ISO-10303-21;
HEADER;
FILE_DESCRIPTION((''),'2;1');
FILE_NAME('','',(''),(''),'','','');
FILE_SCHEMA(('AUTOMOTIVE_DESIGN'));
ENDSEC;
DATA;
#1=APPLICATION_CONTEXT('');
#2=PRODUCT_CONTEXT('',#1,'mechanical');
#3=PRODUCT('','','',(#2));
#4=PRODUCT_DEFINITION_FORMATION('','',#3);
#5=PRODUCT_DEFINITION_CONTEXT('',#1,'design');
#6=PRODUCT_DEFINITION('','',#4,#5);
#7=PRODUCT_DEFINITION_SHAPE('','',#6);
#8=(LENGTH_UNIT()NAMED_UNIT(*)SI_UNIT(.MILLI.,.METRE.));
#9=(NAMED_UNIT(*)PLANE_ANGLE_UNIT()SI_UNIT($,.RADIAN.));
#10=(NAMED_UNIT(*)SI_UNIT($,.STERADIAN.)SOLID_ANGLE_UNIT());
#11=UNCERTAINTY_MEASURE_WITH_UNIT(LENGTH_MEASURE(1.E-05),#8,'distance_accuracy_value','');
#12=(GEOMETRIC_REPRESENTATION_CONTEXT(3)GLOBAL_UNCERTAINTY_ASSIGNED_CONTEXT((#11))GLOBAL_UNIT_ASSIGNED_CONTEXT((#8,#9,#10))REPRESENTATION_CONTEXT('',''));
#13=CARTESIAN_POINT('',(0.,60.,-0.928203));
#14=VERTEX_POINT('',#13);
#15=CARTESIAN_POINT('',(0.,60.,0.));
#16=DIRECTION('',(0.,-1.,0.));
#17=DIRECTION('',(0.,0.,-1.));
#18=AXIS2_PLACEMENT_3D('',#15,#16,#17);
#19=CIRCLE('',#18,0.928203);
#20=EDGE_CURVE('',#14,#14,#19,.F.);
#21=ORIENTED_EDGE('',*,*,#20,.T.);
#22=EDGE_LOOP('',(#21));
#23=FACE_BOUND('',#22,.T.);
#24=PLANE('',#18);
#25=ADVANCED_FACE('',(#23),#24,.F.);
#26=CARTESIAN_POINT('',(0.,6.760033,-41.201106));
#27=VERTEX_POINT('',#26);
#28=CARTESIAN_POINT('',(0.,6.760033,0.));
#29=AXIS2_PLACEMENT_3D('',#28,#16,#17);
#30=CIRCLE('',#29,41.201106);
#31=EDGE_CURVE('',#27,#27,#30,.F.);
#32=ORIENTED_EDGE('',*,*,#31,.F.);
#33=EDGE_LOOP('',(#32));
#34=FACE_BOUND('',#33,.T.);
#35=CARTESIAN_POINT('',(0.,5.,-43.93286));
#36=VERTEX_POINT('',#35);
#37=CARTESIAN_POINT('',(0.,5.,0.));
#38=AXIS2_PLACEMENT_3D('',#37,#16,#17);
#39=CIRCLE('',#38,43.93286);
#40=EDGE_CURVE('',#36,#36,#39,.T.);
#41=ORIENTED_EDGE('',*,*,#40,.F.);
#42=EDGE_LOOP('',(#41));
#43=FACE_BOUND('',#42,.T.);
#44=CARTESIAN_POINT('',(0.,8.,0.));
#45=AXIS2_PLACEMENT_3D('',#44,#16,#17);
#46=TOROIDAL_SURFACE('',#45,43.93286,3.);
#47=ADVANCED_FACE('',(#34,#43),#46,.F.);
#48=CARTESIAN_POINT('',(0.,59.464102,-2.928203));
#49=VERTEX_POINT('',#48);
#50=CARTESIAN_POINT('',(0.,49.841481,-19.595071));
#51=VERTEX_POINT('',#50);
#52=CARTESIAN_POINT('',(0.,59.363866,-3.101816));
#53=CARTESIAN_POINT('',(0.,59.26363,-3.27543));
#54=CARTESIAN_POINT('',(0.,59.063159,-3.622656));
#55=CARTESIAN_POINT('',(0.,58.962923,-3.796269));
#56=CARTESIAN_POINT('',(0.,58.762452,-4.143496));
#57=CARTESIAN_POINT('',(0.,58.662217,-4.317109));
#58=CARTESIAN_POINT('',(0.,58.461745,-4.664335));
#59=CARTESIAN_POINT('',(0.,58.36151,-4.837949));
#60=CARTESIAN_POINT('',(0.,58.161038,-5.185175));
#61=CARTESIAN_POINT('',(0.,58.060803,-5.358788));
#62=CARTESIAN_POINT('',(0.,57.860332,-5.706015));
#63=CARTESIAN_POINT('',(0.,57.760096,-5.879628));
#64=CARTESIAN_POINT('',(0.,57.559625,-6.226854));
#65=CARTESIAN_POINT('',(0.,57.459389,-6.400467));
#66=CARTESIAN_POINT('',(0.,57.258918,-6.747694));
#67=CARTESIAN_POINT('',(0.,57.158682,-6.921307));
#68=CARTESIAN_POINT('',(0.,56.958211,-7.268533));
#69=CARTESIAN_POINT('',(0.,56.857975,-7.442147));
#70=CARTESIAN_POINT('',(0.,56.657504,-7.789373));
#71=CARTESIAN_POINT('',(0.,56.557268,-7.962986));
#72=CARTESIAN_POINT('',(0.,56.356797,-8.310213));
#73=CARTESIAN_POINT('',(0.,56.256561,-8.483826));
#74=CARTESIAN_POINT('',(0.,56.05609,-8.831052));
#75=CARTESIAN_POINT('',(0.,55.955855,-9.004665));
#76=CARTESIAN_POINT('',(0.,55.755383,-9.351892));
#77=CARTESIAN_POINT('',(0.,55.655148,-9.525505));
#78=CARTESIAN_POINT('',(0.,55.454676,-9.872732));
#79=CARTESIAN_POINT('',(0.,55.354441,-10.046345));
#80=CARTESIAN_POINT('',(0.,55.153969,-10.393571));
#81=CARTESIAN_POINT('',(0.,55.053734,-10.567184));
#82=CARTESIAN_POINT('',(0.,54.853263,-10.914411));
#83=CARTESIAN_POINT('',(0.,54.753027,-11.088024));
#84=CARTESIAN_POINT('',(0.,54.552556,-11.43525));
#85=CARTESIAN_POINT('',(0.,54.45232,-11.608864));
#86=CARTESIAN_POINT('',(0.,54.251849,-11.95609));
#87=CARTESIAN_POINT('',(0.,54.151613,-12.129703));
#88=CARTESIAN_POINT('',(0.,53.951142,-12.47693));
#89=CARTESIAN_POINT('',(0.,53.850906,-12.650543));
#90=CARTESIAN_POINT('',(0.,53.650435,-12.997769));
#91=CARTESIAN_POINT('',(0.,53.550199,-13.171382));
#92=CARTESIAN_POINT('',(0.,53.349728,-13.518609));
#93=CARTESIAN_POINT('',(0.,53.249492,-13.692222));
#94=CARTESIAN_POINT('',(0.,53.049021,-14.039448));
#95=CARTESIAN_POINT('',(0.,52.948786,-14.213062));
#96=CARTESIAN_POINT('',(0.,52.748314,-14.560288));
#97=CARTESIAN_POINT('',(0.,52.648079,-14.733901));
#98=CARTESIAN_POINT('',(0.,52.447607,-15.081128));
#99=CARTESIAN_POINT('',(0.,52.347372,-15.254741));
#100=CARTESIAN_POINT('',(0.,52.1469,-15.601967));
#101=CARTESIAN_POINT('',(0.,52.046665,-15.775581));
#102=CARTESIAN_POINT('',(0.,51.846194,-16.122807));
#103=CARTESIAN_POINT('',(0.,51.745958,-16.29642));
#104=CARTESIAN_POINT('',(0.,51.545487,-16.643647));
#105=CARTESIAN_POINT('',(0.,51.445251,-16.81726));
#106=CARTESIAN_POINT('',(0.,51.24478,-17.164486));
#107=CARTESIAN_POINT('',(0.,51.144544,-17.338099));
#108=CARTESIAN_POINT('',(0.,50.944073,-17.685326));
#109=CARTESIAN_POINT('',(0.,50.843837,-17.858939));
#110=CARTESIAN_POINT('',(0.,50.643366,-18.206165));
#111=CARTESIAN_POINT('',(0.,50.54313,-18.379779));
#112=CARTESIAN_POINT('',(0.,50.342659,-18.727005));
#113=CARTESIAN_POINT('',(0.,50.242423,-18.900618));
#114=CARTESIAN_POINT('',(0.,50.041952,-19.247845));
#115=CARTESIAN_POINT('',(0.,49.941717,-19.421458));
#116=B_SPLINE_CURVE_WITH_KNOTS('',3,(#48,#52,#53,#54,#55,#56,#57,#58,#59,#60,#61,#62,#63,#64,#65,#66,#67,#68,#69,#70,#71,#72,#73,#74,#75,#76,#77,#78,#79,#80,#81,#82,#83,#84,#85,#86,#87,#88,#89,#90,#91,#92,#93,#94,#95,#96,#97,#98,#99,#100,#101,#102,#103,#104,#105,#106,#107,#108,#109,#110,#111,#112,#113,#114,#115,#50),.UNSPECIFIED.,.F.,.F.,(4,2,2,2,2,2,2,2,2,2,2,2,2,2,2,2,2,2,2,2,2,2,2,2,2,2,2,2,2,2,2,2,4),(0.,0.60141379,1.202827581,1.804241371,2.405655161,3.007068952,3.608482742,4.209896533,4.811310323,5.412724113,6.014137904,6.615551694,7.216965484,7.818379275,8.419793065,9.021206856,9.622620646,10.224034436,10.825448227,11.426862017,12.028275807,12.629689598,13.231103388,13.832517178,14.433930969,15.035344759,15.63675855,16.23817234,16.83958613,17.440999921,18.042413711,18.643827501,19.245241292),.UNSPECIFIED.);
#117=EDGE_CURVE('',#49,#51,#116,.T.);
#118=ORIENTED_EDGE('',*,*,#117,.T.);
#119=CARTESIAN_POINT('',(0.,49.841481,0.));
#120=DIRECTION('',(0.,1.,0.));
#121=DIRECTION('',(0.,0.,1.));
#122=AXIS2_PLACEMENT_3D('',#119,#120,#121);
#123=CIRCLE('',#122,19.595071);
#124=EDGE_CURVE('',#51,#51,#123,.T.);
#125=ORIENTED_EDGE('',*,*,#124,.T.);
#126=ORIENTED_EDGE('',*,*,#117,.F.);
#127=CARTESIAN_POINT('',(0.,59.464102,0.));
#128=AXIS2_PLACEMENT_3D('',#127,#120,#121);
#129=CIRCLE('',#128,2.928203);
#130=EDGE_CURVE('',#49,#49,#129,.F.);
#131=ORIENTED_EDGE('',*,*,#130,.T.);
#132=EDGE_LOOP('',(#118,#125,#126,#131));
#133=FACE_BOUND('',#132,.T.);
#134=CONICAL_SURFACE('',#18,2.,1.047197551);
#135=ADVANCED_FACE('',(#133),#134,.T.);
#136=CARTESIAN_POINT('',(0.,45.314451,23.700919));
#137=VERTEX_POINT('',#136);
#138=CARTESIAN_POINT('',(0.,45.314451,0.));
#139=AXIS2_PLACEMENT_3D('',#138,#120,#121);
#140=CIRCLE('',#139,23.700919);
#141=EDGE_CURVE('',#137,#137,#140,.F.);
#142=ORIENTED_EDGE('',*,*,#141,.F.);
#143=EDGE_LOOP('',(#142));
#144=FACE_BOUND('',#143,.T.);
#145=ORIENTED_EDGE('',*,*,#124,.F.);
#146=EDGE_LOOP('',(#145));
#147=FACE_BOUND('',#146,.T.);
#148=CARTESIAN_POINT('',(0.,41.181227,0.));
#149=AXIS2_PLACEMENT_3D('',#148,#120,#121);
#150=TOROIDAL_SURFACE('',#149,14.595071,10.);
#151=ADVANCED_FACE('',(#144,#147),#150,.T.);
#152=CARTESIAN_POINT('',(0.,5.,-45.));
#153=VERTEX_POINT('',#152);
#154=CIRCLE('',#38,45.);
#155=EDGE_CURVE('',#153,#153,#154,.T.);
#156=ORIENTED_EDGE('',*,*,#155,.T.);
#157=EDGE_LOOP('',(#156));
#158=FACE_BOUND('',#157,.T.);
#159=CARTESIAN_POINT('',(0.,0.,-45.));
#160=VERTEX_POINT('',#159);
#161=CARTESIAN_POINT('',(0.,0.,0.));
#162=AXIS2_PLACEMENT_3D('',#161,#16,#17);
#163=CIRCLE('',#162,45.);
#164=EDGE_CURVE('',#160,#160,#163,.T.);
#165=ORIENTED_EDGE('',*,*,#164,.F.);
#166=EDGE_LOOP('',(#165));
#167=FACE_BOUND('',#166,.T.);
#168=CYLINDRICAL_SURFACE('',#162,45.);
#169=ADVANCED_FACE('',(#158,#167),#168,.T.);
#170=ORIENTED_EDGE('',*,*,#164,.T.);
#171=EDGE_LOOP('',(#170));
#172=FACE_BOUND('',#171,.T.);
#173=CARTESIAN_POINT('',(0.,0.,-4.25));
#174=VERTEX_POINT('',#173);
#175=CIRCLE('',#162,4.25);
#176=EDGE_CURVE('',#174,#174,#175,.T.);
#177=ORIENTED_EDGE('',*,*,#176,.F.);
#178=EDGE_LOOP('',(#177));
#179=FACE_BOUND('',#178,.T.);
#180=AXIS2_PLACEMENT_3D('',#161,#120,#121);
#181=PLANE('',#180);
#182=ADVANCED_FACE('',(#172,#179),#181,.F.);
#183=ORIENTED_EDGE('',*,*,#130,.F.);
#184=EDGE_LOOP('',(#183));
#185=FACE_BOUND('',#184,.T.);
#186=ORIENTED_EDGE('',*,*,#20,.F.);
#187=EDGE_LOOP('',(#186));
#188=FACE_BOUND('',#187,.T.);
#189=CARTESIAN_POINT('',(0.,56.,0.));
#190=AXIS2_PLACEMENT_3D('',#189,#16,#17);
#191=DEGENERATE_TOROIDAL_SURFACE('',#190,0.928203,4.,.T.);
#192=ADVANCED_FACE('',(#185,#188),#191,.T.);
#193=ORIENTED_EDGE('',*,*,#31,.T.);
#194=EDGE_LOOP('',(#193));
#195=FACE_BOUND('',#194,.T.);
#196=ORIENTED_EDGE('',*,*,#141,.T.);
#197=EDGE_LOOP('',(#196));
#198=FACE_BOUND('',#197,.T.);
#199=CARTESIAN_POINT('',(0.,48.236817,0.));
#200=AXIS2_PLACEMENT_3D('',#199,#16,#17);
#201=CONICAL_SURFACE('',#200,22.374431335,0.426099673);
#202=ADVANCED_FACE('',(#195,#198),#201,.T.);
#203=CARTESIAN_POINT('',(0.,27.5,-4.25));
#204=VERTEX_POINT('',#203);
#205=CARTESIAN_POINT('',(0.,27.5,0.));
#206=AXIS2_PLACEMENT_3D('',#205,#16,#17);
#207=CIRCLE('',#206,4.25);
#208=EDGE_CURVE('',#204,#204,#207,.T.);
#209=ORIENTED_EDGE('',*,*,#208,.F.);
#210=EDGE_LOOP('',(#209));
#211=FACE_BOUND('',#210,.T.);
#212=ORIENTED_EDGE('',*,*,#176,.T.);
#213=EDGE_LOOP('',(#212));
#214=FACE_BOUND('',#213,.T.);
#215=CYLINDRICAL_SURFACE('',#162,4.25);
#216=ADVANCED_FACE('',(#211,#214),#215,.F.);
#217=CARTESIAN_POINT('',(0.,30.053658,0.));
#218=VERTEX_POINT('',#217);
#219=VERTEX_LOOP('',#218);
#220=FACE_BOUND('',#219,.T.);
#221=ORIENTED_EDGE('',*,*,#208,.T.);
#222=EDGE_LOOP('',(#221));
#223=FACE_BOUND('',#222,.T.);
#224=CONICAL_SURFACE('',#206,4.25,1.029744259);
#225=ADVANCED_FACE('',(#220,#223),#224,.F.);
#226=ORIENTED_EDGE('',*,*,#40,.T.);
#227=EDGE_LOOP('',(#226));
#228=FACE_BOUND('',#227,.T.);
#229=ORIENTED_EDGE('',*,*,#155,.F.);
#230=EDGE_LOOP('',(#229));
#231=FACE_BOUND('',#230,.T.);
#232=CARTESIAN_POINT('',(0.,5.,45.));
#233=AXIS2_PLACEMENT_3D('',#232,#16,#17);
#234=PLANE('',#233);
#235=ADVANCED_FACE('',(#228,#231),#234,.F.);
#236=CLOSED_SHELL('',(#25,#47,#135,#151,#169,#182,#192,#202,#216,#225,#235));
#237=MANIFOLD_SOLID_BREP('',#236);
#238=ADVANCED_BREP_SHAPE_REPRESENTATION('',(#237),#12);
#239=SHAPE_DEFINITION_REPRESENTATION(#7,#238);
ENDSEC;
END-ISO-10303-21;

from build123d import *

# Parameters (mm, degrees)
RACCORDO1_R                = 3
FORO_FILETTATO_M10_1_D     = 8.5
FORO_FILETTATO_M10_1_DEPTH = 27.5
FORO_FILETTATO_M10_1_TIP   = 2.553657631
RACCORDO2_R                = 10
RACCORDO3_R                = 4


with BuildPart() as part:
    # Schizzo1 → Rivoluzione1 (revolve)
    with BuildSketch(Plane(origin=(0, 0, 0), x_dir=(0, 0, -1), z_dir=(1, 0, 0)), mode=Mode.PRIVATE) as rivoluzione1_sk:
        Polygon((0, 0), (-45, 0), (-45, 5), (-42, 5), (-22.374431335, 48.236816584), (-2, 60), (0, 60), align=None)
    revolve(rivoluzione1_sk.sketch.rotate(Axis((0, 0, 0), (0, 1, 0)), 180), axis=Axis((0, 0, 0), (0, 1, 0)))

    # Raccordo1
    raccordo1_edges = [part.edges().sort_by_distance(p)[0] for p in [
        (0, 5, 42),
    ]]
    fillet(raccordo1_edges, radius=RACCORDO1_R)

    # Foro filettato M10-1
    with Locations(Plane.XZ):
        with Locations((0, 0)):
            Hole(FORO_FILETTATO_M10_1_D / 2, depth=FORO_FILETTATO_M10_1_DEPTH)
            with Locations((0, 0, -(FORO_FILETTATO_M10_1_DEPTH + FORO_FILETTATO_M10_1_TIP / 2))):  # 118° drill point
                Cone(0, FORO_FILETTATO_M10_1_D / 2, FORO_FILETTATO_M10_1_TIP, mode=Mode.SUBTRACT)

    # Raccordo2
    raccordo2_edges = [part.edges().sort_by_distance(p)[0] for p in [
        (0, 48.236816584, 22.374431335),
    ]]
    fillet(raccordo2_edges, radius=RACCORDO2_R)

    # Raccordo3
    raccordo3_edges = [part.edges().sort_by_distance(p)[0] for p in [
        (0, 60, 2),
    ]]
    fillet(raccordo3_edges, radius=RACCORDO3_R)


solid = part.part
